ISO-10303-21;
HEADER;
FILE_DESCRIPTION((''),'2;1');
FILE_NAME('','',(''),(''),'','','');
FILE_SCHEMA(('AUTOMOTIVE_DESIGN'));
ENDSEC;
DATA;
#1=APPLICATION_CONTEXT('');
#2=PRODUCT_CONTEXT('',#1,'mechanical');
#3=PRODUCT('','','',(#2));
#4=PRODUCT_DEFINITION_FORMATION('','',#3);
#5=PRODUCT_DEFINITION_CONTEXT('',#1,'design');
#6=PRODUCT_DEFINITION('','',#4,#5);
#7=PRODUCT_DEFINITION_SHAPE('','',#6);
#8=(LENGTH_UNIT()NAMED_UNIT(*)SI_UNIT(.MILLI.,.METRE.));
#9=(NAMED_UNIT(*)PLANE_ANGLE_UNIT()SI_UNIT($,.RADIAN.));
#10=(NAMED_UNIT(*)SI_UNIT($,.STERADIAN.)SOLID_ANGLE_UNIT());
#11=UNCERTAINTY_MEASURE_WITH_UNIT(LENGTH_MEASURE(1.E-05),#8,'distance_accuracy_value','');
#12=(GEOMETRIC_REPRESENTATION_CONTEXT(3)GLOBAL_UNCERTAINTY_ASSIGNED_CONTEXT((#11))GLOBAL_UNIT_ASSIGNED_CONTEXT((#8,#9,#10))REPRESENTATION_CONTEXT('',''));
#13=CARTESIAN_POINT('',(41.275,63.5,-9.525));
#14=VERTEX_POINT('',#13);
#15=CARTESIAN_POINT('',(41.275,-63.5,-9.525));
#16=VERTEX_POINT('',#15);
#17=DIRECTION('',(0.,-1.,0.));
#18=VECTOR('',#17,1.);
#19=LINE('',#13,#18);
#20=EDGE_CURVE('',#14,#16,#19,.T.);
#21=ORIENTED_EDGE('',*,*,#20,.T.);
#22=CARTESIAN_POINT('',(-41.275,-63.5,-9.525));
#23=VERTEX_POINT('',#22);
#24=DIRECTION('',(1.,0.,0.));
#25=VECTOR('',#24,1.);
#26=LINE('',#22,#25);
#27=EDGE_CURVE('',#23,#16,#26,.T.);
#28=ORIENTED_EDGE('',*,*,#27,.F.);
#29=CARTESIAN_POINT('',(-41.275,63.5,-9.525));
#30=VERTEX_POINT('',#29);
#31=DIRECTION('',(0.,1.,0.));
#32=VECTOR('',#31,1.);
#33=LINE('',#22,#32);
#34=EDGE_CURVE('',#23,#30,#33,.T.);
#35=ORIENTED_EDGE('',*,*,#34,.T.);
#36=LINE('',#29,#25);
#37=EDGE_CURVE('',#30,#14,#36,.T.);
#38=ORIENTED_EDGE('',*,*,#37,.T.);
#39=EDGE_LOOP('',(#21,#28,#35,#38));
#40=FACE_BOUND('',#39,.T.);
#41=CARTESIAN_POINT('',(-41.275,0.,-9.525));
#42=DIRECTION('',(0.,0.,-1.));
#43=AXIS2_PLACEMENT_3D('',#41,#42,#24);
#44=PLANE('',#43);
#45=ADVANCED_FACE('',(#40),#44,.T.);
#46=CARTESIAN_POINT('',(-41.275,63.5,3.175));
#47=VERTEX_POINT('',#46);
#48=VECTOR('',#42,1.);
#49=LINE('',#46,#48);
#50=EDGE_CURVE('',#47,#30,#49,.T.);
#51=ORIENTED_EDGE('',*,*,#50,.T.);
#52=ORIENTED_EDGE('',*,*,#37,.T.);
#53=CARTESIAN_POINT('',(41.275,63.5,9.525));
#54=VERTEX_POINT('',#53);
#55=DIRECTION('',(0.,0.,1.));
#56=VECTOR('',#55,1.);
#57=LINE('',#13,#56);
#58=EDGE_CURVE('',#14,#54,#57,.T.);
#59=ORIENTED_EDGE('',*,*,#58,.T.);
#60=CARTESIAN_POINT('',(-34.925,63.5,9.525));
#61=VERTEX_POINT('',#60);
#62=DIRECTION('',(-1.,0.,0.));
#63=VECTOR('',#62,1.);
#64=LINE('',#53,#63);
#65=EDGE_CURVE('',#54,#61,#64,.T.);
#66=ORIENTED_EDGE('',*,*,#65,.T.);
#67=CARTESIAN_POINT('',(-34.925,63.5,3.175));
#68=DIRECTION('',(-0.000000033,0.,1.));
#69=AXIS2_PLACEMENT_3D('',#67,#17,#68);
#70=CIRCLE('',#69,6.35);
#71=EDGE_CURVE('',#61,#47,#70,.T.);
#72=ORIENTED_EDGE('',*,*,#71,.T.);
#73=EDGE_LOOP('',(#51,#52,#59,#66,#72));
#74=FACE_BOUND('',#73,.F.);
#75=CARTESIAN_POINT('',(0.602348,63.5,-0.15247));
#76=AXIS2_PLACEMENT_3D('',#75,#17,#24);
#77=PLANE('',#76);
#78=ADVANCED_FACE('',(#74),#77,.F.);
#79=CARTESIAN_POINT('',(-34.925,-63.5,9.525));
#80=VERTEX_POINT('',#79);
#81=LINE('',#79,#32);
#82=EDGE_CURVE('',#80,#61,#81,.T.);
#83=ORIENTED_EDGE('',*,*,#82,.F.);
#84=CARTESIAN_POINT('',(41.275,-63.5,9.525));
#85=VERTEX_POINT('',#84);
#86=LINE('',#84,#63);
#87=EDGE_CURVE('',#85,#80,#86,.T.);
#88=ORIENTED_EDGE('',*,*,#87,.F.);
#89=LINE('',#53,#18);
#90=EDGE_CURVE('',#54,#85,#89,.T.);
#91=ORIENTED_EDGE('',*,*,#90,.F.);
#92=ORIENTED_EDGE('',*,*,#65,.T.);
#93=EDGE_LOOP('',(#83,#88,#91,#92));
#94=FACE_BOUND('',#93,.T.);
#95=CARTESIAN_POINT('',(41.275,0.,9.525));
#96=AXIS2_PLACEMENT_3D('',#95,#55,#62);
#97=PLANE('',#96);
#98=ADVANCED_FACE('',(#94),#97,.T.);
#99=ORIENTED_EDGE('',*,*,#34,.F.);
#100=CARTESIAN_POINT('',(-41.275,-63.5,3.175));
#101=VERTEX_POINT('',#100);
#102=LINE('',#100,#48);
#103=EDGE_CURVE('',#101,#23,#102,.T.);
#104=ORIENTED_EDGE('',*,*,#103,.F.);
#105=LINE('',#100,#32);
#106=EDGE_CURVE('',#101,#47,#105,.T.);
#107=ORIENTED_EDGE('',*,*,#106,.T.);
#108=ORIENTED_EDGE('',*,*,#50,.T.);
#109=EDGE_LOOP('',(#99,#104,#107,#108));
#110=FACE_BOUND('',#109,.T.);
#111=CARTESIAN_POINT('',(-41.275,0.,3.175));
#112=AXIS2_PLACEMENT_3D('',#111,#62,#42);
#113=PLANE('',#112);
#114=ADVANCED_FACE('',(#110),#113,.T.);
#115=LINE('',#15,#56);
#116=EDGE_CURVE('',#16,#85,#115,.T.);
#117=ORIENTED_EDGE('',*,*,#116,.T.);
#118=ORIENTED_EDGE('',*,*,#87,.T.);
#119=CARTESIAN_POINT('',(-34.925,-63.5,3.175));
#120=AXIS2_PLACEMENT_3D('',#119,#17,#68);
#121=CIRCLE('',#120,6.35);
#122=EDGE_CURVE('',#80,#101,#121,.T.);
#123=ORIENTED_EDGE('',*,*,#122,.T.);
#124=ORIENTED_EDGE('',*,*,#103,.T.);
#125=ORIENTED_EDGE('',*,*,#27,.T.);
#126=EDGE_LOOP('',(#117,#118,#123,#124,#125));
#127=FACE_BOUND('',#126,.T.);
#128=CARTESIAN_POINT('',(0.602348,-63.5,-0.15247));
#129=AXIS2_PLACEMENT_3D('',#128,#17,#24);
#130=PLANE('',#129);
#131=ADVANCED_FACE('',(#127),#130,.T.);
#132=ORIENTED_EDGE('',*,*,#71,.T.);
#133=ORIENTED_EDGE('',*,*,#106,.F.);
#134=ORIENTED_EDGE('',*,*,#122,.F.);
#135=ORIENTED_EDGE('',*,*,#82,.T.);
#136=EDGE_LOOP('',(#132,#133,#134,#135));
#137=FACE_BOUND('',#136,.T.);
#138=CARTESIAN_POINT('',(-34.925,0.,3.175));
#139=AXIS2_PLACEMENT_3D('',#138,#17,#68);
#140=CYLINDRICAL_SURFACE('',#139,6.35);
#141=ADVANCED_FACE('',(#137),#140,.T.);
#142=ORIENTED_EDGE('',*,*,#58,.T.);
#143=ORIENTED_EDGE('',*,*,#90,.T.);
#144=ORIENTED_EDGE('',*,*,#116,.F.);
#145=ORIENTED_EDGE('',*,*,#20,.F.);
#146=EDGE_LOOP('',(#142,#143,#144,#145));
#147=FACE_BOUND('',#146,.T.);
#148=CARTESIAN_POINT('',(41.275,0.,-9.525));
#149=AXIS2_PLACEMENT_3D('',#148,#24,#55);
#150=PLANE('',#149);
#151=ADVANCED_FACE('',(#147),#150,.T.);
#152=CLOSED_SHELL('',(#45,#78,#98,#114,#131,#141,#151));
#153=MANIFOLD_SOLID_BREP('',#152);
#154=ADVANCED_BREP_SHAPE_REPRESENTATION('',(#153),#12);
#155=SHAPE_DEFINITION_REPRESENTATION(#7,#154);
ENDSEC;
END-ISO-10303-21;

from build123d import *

# Parameters (mm, degrees)
F1_DEPTH = 63.5


with BuildPart() as f1:
    # F0 (on Front) → F1 (new body, symmetric)
    with BuildSketch(Plane.XZ):
        with BuildLine():
            Line((-41.275, -9.525), (41.275, -9.525))
            Line((41.275, -9.525), (41.275, 9.525))
            Line((41.275, 9.525), (22.504395, 9.525))
            Line((22.504395, 9.525), (-34.925, 9.525))
            ThreePointArc((-34.925, 9.525), (-39.415128, 7.665128), (-41.275, 3.175))
            Line((-41.275, 3.175), (-41.275, -9.525))
        make_face()
    extrude(amount=F1_DEPTH, both=True)


solid = f1.part
